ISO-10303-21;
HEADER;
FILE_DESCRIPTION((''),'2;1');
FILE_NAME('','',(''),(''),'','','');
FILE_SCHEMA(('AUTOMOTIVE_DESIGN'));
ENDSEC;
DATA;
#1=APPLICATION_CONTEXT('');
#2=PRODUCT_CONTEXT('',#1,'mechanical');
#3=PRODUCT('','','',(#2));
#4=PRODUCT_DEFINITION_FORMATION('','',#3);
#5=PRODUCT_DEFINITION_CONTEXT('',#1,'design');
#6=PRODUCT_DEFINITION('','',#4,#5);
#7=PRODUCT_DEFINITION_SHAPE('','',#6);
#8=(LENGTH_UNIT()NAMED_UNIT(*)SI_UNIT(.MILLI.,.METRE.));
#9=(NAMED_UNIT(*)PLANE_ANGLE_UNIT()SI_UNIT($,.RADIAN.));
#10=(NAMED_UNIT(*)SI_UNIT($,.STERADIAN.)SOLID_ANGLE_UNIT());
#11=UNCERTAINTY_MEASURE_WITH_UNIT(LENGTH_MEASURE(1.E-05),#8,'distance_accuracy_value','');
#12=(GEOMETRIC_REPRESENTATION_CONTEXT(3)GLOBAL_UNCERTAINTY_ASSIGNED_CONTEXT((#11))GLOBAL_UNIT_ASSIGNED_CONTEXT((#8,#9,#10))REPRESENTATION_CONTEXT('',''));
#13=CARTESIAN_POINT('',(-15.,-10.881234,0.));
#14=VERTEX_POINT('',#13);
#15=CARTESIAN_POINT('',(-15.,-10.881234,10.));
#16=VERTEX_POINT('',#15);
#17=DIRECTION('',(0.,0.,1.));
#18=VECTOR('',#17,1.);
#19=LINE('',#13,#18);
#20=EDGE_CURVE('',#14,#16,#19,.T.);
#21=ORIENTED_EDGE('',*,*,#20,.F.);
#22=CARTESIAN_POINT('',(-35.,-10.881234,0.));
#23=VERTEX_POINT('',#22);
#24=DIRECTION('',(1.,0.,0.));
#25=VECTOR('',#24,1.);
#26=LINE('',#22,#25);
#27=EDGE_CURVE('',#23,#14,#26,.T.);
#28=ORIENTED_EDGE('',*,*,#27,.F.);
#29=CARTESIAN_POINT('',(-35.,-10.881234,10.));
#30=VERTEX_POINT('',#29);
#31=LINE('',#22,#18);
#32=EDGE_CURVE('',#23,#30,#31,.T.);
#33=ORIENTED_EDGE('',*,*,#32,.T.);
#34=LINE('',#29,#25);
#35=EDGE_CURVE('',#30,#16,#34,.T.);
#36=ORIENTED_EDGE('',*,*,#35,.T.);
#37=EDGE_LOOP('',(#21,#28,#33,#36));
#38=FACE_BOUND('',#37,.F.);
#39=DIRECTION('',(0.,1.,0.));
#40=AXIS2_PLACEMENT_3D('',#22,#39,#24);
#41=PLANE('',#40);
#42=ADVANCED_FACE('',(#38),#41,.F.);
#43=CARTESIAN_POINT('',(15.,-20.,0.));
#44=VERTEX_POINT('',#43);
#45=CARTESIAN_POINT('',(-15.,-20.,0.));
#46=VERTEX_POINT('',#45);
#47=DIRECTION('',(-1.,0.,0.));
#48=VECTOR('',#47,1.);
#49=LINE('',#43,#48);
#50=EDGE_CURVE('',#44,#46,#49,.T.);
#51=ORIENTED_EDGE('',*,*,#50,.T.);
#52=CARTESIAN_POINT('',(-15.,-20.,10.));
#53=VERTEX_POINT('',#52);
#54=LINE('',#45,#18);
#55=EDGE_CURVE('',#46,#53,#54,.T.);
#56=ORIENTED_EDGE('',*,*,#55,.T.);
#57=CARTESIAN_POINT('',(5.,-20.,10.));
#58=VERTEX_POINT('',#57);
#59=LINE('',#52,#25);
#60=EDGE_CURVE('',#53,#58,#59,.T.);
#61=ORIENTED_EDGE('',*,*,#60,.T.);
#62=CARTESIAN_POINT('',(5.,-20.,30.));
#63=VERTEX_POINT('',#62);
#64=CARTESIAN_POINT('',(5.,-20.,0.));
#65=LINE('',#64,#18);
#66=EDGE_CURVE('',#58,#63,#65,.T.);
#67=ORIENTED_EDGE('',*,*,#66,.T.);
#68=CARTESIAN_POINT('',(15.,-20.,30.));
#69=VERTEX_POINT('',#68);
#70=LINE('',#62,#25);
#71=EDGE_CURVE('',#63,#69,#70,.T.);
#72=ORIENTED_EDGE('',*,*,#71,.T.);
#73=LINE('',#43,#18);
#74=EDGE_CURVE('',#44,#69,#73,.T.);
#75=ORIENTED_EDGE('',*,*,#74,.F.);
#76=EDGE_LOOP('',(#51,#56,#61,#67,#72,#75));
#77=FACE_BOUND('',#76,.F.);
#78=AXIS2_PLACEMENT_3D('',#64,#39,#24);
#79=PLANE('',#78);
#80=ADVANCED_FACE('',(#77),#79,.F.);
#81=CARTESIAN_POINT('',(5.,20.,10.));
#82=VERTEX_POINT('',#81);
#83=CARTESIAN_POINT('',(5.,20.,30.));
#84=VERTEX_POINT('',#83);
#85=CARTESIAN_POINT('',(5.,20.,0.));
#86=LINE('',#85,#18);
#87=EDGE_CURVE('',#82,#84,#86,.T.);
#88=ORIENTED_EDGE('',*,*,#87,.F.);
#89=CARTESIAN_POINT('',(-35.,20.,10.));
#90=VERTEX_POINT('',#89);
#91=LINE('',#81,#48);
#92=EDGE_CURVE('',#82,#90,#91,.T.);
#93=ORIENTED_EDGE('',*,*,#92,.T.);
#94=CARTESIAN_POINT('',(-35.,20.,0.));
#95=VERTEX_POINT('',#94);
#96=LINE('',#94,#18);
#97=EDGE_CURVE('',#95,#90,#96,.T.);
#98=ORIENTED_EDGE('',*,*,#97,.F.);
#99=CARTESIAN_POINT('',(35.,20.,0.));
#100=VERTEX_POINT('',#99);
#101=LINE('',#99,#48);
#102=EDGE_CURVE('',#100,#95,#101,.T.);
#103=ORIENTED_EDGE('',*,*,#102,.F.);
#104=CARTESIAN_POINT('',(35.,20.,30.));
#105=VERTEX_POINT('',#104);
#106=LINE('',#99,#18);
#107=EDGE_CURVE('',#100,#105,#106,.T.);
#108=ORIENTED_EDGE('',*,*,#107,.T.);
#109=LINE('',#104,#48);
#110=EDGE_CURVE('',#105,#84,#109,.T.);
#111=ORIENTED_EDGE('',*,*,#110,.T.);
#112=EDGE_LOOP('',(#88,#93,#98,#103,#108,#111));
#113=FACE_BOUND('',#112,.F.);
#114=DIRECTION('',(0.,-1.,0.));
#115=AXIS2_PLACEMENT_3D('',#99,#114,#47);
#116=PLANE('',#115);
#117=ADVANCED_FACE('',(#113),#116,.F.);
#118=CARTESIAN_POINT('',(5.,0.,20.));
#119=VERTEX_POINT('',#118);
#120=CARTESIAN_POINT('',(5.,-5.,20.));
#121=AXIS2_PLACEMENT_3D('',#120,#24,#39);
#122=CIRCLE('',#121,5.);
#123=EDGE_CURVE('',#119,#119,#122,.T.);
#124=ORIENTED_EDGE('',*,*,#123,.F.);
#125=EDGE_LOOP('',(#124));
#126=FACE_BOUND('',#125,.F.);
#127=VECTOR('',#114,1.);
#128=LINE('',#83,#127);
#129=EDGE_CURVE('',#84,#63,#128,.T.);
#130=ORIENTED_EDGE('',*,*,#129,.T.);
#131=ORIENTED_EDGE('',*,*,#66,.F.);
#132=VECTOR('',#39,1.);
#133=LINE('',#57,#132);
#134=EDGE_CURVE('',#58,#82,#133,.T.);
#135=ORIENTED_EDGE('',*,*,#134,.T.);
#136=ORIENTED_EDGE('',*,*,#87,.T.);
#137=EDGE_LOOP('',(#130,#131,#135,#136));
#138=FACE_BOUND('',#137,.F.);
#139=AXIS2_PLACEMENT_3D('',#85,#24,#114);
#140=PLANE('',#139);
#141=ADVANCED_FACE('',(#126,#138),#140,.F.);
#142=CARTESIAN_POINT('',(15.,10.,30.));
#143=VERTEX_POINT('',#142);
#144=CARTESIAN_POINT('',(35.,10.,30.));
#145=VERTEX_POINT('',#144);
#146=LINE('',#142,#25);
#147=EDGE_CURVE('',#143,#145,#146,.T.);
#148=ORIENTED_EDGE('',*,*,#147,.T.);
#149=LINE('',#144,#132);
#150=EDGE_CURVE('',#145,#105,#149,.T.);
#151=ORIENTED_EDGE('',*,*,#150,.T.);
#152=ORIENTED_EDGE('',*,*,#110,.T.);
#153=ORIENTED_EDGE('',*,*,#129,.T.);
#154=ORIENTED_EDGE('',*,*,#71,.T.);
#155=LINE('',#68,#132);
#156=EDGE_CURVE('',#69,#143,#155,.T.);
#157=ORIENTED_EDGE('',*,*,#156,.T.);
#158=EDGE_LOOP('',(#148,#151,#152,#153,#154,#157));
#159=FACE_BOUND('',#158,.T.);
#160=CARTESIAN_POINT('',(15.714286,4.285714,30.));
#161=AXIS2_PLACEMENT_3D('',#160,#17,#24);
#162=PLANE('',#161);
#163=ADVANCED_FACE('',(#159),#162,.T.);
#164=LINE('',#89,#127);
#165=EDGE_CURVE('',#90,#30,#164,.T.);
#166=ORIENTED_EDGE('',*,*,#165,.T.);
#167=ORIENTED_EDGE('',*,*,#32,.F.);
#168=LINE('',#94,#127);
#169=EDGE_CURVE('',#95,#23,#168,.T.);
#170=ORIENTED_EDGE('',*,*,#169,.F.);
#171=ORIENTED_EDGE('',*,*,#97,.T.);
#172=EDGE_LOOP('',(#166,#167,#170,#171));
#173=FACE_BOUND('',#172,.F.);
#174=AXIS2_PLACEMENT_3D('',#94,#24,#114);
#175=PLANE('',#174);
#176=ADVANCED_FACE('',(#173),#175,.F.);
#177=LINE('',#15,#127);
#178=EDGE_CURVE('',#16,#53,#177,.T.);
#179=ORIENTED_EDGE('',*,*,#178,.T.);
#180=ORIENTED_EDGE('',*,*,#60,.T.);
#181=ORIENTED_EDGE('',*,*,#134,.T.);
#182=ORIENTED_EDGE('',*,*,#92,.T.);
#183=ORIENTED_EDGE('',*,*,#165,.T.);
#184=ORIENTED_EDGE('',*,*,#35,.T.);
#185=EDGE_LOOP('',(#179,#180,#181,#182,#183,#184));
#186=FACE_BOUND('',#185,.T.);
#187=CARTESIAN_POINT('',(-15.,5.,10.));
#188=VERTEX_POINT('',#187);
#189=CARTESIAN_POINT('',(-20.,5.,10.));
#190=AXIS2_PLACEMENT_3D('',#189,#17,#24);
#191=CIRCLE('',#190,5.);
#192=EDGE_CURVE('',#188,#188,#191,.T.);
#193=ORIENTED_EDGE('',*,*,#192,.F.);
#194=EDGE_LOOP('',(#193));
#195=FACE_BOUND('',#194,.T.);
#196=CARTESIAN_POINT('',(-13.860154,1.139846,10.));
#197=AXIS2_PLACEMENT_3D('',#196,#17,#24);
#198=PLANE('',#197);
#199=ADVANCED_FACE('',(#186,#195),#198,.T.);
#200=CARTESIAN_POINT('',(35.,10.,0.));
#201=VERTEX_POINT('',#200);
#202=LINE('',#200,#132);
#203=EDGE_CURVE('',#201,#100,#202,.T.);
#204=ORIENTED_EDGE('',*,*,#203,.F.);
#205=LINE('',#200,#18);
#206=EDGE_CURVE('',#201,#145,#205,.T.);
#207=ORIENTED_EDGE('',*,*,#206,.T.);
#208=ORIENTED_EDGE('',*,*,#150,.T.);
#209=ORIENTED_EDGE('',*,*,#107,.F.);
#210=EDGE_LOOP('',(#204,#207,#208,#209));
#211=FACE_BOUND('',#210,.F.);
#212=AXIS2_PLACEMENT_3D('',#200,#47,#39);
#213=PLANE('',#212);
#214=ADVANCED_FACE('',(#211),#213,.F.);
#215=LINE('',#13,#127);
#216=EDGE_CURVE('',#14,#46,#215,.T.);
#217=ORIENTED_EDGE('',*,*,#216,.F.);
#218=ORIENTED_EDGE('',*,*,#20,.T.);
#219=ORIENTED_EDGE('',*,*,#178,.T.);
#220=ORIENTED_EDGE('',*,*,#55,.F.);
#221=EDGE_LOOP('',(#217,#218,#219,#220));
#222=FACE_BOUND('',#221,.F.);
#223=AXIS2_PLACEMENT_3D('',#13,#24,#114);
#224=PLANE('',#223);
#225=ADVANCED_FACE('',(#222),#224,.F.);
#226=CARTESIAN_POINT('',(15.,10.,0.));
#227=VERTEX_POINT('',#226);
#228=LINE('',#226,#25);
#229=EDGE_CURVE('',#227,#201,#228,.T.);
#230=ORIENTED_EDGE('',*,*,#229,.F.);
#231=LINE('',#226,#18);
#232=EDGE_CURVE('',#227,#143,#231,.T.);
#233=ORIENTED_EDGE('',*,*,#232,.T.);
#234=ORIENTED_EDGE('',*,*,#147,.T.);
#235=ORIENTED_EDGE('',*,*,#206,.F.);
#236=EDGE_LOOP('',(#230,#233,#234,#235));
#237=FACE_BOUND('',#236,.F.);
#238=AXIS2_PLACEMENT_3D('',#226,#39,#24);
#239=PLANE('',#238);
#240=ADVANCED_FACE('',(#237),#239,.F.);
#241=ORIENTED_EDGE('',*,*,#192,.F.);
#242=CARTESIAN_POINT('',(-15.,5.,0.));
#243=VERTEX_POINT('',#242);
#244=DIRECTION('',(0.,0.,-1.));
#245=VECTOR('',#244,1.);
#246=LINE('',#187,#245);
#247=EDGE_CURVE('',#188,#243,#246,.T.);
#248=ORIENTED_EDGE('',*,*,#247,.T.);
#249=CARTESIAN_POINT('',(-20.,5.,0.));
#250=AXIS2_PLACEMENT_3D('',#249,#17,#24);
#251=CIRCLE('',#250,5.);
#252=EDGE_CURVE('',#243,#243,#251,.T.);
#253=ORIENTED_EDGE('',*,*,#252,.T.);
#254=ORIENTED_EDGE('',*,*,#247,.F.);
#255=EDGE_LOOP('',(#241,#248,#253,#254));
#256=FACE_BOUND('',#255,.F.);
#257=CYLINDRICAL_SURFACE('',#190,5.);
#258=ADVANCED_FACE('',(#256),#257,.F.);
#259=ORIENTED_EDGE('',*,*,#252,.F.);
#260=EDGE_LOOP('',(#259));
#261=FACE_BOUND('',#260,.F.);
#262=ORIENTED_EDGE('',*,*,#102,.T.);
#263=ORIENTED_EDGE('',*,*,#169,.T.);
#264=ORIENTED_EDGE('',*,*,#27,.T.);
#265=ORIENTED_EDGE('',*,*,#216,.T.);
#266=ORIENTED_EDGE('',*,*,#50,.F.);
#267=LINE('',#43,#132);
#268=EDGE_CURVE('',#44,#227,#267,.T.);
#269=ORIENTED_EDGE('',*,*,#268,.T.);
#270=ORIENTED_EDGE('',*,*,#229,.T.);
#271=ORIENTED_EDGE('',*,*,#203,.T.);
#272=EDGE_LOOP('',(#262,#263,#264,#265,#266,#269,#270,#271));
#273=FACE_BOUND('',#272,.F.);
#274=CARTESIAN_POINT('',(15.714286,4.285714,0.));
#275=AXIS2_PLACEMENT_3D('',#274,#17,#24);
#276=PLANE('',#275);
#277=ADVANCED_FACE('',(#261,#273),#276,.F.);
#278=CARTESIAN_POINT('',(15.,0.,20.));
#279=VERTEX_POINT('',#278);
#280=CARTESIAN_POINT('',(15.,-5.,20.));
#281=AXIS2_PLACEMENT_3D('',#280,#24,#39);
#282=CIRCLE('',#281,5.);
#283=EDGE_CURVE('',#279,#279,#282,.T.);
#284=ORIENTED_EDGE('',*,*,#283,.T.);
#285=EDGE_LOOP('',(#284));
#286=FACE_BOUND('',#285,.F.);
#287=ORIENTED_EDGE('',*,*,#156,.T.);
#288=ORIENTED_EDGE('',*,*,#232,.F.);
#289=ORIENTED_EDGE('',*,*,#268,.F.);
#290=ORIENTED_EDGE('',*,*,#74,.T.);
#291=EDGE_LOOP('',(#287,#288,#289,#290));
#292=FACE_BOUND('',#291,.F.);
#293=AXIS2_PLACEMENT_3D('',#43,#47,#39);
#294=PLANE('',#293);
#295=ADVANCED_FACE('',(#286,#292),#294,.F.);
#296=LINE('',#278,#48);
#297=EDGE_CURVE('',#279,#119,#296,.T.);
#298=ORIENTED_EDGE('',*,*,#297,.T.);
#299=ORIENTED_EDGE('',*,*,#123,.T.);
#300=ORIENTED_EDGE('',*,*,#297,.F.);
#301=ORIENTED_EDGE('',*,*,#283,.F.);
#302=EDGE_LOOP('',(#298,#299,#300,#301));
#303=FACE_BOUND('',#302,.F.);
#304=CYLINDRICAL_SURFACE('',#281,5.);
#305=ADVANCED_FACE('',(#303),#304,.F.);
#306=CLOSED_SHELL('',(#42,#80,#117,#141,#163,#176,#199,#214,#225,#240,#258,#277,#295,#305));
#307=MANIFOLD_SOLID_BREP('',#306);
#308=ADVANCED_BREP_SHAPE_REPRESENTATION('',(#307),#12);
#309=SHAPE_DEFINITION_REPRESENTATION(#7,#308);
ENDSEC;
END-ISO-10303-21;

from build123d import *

# Parameters (mm, degrees)
F1_DEPTH = 10
F2_DEPTH = 30
F3_R     = 5
F4_DEPTH = 25
F5_R     = 5
F6_DEPTH = 25


with BuildPart() as f1:
    # F0 (on Top) → F1 (new body)
    with BuildSketch(Plane.XY):
        Polygon((5, -20), (5, 20), (-35, 20), (-35, -10.881234), (-15, -10.881234), (-15, -20), align=None)
    extrude(amount=F1_DEPTH)

    # F0 (on Top) → F2 (join)
    with BuildSketch(Plane.XY):
        Polygon((35, 10), (35, 20), (15, 20), (5, 20), (5, -20), (15, -20), (15, 10), align=None)
    extrude(amount=F2_DEPTH)

    # F3 (on face) → F4 (cut)
    with BuildSketch(Plane.YZ.offset(15)):
        with Locations((-5, 20)):
            Circle(F3_R)
    extrude(amount=-F4_DEPTH, mode=Mode.SUBTRACT)

    # F5 (on face) → F6 (cut)
    with BuildSketch(Plane.XY.offset(10)):
        with Locations((-20, 5)):
            Circle(F5_R)
    extrude(amount=-F6_DEPTH, mode=Mode.SUBTRACT)


solid = f1.part
